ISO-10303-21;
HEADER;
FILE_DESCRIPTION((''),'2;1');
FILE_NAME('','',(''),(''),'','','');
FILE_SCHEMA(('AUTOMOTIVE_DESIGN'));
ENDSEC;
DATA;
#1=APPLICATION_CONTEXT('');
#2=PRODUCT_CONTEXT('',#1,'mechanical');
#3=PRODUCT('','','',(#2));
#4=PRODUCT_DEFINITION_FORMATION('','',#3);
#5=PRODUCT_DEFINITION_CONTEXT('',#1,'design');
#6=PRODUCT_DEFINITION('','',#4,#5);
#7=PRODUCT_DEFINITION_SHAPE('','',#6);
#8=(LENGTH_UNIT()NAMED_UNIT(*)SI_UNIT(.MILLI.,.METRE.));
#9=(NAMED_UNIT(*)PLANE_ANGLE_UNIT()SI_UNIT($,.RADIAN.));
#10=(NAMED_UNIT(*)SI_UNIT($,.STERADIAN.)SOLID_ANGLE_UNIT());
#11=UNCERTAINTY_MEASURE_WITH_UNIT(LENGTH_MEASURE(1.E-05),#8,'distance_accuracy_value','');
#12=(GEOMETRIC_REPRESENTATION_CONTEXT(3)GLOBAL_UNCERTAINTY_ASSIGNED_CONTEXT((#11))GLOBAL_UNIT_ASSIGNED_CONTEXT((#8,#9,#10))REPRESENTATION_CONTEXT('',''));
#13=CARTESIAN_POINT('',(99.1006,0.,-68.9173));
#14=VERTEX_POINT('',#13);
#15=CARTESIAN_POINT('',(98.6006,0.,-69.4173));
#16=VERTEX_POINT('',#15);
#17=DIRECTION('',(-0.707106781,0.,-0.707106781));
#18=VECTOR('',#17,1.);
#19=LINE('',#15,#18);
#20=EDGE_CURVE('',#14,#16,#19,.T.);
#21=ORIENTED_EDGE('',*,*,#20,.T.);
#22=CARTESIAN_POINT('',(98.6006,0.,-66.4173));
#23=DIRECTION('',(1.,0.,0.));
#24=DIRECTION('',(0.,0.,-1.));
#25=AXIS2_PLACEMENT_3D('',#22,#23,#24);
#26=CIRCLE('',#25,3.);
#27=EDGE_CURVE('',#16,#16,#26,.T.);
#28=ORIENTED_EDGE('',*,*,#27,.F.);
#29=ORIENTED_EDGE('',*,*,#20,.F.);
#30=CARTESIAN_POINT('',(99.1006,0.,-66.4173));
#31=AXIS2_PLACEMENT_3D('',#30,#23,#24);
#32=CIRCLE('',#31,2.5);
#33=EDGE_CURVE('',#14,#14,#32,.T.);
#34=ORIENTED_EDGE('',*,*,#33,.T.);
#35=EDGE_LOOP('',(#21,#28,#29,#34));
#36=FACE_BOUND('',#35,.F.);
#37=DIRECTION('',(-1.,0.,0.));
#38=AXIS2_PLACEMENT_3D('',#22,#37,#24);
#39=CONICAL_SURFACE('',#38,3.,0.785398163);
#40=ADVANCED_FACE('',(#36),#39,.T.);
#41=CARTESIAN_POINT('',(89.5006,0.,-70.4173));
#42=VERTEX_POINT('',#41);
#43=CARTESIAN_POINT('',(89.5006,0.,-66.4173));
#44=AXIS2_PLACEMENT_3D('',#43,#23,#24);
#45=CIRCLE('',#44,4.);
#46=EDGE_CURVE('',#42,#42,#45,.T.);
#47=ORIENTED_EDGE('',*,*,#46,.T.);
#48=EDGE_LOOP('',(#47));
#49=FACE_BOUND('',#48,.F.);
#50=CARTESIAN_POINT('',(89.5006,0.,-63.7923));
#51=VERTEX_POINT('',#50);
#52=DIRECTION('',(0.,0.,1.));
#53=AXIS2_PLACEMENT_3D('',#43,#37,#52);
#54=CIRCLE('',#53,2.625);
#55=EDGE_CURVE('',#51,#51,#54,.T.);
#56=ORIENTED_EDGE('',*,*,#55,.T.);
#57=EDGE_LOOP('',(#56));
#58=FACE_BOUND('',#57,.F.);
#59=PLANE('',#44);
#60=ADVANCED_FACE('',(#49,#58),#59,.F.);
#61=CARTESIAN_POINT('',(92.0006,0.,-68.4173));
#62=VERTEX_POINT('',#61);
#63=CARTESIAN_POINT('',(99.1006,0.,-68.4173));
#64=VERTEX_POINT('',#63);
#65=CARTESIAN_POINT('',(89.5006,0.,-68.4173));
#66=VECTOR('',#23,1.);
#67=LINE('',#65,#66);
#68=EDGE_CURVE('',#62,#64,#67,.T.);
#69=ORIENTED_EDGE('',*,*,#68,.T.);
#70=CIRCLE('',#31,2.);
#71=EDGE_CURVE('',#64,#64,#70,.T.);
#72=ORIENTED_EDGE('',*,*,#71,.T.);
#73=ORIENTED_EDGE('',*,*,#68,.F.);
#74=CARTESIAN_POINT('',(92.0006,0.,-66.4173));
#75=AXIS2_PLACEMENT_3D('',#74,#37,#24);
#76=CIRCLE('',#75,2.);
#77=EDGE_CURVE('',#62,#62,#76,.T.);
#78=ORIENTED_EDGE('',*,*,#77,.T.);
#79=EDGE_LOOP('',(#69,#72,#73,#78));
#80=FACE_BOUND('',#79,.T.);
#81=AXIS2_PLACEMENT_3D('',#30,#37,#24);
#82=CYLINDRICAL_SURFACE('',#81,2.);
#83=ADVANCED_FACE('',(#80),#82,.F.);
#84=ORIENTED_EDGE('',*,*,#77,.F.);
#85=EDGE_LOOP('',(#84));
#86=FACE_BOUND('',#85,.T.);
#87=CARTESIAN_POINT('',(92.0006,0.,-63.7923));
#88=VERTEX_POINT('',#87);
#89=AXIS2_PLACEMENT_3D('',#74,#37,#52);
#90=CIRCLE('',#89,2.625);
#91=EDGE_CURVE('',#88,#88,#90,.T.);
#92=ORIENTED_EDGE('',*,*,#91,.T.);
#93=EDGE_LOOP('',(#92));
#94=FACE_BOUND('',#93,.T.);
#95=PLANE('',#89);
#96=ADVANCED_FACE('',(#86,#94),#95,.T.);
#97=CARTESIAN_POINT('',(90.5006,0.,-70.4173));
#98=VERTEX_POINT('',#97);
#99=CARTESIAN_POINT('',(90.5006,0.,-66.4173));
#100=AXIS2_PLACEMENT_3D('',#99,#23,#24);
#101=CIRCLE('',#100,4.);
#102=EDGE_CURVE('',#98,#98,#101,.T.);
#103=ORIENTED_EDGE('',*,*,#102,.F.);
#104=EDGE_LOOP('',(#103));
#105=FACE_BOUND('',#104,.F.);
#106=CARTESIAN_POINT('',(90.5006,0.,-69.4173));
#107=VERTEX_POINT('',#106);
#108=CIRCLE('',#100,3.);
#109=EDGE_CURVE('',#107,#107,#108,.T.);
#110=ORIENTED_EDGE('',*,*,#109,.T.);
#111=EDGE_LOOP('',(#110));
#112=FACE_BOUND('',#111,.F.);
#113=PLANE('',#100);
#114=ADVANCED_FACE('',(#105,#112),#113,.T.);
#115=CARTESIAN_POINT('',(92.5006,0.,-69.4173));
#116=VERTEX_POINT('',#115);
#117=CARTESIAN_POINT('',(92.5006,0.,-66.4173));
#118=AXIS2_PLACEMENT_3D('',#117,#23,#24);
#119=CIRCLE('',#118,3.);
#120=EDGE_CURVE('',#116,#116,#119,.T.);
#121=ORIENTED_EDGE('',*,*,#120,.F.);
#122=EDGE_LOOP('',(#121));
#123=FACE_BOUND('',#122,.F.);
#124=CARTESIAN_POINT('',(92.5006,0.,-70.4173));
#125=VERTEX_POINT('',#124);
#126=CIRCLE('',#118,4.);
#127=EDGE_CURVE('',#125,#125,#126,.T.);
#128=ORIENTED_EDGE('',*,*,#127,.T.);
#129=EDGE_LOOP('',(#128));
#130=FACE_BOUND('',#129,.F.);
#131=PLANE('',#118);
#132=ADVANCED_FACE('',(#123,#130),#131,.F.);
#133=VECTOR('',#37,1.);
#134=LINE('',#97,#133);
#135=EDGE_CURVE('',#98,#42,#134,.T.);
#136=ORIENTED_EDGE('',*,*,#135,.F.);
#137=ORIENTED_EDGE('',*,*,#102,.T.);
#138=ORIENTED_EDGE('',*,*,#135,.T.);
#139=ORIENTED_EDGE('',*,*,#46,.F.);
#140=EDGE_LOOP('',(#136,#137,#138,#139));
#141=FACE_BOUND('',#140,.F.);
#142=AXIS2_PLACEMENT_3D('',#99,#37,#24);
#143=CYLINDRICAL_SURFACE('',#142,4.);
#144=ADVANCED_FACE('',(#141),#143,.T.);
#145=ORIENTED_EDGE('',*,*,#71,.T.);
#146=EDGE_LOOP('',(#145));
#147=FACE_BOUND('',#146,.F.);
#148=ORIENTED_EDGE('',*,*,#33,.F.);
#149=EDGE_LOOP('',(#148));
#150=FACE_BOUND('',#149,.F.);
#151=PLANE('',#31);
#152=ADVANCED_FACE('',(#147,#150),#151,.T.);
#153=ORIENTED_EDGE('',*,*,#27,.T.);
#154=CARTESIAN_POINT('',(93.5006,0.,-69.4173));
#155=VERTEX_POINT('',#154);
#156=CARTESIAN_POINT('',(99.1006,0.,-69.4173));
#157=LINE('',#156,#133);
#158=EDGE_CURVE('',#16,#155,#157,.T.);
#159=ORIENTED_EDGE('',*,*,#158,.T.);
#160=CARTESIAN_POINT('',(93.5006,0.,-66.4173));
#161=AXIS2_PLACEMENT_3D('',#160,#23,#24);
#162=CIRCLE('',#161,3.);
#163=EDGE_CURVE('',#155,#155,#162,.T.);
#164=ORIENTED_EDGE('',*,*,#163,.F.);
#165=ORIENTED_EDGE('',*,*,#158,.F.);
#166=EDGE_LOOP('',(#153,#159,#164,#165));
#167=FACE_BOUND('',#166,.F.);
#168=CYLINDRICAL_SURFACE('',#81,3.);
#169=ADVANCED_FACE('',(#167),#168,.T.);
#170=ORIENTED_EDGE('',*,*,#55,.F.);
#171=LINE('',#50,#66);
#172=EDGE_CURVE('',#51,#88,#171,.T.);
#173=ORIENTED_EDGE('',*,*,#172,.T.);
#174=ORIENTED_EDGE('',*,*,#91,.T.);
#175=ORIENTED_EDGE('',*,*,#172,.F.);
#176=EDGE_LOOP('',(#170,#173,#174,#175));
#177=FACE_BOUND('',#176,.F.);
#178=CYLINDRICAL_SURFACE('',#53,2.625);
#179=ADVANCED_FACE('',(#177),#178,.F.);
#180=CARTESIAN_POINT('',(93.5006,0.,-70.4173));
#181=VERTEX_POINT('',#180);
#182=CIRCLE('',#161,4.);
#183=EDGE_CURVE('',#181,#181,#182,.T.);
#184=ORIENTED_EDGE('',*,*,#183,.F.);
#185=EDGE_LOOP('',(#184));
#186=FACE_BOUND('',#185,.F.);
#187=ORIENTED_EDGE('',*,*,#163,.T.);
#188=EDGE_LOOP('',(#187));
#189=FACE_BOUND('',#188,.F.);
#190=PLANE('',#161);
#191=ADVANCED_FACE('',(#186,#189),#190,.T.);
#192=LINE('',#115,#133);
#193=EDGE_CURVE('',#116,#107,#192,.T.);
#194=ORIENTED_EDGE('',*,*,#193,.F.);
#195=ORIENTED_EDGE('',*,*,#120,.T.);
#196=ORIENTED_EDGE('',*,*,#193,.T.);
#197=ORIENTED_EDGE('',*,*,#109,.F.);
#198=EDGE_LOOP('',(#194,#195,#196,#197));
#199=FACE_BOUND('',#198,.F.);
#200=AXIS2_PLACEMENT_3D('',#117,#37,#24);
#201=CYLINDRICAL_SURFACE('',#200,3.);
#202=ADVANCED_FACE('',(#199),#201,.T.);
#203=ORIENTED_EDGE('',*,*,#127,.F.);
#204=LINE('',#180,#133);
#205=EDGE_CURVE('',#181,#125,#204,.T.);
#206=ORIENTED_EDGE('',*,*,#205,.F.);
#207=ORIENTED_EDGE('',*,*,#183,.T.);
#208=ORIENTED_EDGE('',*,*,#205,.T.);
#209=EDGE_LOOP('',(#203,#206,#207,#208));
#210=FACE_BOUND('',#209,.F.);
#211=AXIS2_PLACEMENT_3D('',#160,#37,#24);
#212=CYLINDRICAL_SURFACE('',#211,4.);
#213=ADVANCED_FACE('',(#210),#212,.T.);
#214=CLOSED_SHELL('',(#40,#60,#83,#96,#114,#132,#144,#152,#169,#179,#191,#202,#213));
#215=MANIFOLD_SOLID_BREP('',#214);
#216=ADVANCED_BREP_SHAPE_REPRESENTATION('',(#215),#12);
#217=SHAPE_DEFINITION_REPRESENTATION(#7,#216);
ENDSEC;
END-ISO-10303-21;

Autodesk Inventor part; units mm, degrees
ref_plane "YZ Plane" through (0, 0, 0) normal (1, 0, 0) x (0, 1, 0)
ref_plane "XZ Plane" through (0, 0, 0) normal (0, 1, 0) x (-1, 0, 0)
ref_plane "XY Plane" through (0, 0, 0) normal (0, 0, 1) x (1, 0, 0)
sketch "Boceto2" plane through (0, 0, 0) normal (0, 1, 0) x (-1, 0, 0)
  line L0 (99.3538, -66.4173) -> (-152.1277, -66.4173)
  line L1 (-90.5006, -68.4173) -> (-90.5006, -69.4173)
  line L2 (-89.5006, -69.4173) -> (-89.5006, -68.4173)
  line L3 (-92.5006, -68.4173) -> (-92.5006, -69.4173)
  line L4 (-99.1006, -68.4173) -> (-99.1006, -69.4173)
  line L5 (-99.1006, -69.4173) -> (-93.5006, -69.4173)
  line L6 (-93.5006, -70.4173) -> (-92.5006, -70.4173)
  line L7 (-92.5006, -70.4173) -> (-92.5006, -69.4173)
  line L8 (-90.5006, -69.4173) -> (-90.5006, -70.4173)
  line L9 (-90.5006, -70.4173) -> (-89.5006, -70.4173)
  line L10 (-89.5006, -70.4173) -> (-89.5006, -69.4173)
  line L11 (-93.5006, -68.4173) -> (-93.5006, -70.4173)
  line L12 (-92.5006, -69.4173) -> (-90.5006, -69.4173)
  line L13 (-99.1006, -68.4173) -> (-89.5006, -68.4173)
  point P0 (0, 0)
  dimension "d17" = 1
revolve "Revolución1" add sketch "Boceto2" angle 360 about axis through (-99.3538, 0, -66.4173) along (1, 0, 0)
chamfer "Chaflán2" distance 0.5 angle 45 1 edges at (99.1006, 0, -63.4173)
sketch "Boceto3" plane through (89.5006, 0, -66.4173) normal (-1, 0, 0) x (0, 0, 1)
  circle A0 centre (0, 0) radius 2.625
  point P0 (66.4173, 0)
  dimension "d28" = 5.25
extrude "Extrusión3" cut sketch "Boceto3" against normal blind 2.5
thread "Rosca3" size "M4x0.7" class "6H" standard "ISO Metric profile" length 7
properties part number "Tuerca remache m4" material "Aluminum 7175 T73 0 Hot Formed"
